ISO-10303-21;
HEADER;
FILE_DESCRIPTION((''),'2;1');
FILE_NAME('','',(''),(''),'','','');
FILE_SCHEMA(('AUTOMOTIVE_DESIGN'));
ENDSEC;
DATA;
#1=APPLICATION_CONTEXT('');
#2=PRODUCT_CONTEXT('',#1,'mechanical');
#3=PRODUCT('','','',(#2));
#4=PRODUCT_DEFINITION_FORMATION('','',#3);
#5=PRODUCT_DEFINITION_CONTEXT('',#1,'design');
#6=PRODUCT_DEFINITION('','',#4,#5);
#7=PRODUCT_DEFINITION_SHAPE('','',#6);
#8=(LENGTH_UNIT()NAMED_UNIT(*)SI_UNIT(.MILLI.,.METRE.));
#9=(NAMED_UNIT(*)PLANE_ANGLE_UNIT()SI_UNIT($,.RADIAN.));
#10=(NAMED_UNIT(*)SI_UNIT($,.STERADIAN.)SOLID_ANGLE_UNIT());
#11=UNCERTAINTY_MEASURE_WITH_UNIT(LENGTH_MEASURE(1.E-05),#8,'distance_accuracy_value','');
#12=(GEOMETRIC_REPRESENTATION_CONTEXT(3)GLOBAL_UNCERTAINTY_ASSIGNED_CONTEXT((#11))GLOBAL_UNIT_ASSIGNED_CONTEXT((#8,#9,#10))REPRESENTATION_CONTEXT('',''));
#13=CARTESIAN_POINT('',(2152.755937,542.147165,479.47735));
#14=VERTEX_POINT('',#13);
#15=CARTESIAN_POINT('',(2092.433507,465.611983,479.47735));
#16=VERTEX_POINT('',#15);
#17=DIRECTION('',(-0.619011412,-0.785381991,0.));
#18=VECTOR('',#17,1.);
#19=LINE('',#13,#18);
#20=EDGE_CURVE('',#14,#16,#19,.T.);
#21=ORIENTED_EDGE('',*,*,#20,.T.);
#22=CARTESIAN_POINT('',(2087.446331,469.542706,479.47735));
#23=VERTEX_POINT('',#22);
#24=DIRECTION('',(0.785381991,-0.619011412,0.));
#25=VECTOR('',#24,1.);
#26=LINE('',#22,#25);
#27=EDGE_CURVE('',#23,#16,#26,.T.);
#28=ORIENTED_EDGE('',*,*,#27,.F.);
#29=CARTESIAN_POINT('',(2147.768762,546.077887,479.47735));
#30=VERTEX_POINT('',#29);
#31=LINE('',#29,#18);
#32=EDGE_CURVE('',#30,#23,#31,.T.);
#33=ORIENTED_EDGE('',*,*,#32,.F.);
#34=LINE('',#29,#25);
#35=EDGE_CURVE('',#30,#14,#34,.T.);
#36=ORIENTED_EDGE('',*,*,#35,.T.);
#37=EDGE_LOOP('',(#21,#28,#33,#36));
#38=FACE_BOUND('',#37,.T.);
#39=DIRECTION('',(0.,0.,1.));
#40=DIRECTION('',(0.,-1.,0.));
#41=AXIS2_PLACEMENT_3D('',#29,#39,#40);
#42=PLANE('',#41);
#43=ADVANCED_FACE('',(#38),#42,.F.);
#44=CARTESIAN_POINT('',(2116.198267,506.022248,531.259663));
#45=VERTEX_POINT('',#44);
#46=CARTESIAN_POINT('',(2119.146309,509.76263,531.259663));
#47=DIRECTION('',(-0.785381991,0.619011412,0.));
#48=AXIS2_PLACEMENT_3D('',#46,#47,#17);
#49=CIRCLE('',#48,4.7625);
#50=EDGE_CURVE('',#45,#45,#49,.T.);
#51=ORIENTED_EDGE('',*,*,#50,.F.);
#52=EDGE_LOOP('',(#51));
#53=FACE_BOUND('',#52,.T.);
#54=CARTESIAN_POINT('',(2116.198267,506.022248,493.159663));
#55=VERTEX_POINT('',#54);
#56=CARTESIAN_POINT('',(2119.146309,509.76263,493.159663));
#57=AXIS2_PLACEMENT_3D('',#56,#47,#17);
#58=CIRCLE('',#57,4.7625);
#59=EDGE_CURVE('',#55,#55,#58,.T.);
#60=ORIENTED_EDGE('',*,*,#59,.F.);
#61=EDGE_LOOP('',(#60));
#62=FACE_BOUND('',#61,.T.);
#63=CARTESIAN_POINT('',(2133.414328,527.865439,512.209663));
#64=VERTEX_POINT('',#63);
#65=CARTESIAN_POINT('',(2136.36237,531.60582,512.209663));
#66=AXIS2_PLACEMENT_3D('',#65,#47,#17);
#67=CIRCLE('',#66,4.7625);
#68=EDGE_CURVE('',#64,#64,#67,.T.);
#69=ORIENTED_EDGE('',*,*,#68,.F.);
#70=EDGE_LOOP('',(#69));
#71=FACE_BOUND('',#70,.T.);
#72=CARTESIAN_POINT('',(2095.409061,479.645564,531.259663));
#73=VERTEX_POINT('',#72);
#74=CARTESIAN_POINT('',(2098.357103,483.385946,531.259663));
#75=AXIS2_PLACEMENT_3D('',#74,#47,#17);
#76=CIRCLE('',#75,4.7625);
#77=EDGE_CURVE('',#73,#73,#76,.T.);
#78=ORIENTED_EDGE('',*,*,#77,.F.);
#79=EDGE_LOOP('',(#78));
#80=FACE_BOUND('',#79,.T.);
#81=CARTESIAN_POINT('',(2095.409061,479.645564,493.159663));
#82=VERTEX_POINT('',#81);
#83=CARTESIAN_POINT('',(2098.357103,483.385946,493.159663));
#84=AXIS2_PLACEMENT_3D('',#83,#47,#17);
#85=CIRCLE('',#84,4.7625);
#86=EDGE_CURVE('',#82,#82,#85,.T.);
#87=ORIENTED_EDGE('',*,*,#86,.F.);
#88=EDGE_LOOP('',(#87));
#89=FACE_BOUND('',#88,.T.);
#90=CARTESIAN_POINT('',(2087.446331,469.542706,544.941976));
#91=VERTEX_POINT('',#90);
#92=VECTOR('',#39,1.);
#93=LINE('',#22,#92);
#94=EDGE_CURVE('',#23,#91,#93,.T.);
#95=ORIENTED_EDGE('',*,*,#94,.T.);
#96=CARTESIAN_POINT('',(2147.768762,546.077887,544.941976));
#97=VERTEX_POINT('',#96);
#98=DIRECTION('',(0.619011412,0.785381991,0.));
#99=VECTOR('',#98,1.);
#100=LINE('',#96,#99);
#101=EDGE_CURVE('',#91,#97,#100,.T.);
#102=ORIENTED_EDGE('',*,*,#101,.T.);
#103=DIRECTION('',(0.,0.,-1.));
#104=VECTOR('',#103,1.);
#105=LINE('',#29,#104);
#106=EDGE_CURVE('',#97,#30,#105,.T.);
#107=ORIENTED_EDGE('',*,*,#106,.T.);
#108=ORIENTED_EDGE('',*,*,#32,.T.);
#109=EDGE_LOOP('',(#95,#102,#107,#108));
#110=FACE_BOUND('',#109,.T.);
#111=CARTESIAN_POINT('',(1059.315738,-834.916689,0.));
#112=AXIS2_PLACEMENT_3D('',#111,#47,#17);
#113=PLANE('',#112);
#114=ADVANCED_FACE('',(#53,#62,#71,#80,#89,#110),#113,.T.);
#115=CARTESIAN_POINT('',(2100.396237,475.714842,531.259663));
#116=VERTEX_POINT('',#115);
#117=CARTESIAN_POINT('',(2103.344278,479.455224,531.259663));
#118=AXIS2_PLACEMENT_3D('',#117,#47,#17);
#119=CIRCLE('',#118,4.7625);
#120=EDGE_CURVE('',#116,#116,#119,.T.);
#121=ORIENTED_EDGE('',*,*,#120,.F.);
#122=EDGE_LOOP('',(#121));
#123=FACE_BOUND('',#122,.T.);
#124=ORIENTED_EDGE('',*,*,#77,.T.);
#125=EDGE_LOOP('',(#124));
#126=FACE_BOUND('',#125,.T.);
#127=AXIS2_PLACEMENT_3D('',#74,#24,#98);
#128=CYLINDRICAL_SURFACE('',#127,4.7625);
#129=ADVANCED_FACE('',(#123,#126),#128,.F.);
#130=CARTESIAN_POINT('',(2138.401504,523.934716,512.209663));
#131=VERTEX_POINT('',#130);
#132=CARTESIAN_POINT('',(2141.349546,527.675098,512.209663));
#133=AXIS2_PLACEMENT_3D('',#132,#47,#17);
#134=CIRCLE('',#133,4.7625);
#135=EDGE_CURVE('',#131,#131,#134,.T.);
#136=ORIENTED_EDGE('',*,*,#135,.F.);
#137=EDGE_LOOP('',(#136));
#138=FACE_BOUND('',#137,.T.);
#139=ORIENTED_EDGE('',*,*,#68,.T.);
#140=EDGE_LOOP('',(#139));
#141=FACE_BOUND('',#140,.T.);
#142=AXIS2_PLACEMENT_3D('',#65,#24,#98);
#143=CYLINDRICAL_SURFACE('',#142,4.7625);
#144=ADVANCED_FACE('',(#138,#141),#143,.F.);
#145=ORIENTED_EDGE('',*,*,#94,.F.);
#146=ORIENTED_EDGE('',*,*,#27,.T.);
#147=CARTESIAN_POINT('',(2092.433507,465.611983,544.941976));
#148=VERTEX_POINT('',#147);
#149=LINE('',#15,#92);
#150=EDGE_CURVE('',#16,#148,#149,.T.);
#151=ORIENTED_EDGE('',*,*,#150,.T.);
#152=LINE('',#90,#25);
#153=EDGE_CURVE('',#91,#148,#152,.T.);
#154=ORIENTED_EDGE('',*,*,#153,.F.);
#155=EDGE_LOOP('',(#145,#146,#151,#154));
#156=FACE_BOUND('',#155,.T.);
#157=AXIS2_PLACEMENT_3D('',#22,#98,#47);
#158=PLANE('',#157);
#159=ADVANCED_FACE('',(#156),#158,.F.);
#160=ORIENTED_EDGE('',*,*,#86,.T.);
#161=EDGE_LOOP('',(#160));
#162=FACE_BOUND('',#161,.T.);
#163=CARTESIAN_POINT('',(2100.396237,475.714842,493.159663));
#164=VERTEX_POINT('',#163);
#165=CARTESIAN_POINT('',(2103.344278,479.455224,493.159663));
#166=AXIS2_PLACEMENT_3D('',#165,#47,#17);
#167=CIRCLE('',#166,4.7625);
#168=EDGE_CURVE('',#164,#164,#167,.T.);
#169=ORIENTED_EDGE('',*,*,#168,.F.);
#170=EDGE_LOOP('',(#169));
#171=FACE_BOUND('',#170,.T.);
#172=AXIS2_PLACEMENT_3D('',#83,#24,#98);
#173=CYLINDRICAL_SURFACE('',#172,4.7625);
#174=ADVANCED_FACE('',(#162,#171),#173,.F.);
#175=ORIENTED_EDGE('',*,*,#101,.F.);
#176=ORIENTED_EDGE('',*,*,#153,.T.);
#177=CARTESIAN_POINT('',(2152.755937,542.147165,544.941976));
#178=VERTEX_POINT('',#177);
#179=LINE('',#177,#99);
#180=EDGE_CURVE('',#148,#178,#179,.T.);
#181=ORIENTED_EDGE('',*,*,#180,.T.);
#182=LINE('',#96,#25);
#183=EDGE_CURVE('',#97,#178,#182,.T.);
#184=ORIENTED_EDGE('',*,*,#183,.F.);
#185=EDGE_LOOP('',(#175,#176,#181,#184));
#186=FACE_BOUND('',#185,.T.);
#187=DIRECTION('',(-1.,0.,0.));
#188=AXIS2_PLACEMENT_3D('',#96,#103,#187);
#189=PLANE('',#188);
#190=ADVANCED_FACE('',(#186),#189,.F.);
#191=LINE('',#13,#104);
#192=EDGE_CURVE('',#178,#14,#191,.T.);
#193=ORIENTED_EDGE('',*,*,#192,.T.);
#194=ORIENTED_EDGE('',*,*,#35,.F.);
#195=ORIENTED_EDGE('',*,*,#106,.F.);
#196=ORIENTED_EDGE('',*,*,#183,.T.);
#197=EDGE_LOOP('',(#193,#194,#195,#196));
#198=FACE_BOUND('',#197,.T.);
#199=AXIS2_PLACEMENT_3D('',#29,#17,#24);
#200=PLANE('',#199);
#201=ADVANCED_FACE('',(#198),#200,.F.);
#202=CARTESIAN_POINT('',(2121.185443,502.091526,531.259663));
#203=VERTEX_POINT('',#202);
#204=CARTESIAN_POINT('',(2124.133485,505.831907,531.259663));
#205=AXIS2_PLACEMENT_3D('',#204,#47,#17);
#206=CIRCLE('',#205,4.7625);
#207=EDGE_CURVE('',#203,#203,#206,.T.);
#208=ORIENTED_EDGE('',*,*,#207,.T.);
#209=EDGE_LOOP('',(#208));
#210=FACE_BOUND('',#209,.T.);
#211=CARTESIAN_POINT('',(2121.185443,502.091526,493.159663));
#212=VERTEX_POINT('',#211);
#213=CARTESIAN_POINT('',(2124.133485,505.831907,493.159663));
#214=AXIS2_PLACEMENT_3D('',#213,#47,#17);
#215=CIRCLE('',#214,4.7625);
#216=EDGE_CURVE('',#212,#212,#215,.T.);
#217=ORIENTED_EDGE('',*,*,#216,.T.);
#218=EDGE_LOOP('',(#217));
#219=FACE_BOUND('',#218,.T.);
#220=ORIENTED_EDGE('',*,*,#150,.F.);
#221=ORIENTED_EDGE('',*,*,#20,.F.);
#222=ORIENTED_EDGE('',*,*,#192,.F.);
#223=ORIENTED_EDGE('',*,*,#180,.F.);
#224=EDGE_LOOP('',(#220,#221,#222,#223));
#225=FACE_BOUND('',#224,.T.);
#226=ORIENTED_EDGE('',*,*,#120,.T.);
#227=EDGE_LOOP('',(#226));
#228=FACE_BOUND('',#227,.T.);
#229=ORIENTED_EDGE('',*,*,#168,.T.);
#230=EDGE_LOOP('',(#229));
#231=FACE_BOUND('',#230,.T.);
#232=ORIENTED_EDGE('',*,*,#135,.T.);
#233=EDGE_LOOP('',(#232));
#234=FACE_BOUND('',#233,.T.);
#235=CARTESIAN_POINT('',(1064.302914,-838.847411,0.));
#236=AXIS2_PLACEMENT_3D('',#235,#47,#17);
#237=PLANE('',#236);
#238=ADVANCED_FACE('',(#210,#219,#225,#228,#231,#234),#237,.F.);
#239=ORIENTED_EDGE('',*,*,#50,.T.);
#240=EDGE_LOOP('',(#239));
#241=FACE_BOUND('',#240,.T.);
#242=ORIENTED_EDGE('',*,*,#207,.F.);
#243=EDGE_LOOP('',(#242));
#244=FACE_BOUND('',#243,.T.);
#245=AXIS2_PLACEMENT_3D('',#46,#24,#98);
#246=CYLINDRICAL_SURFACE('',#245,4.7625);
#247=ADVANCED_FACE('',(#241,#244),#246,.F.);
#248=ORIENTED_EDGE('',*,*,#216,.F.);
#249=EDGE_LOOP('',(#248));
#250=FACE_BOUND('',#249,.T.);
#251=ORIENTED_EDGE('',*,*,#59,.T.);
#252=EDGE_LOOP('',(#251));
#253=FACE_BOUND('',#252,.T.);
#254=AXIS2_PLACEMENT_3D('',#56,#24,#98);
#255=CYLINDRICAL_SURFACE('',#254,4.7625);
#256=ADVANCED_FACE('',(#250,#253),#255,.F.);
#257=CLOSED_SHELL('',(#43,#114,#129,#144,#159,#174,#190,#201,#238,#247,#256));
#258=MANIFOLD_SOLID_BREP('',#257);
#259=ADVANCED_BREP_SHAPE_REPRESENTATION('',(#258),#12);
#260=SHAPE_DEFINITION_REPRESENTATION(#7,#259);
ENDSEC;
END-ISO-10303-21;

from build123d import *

# Parameters (mm, degrees)
SKETCH2_W           = 65.46462614
SKETCH2_H           = 97.449626127
SKETCH2_R           = 4.7625
BOSS_EXTRUDE1_DEPTH = 6.35


with BuildPart() as part:
    # Sketch2 → Boss-Extrude1 (new body)
    with BuildSketch(Plane(origin=(2141.629370819, 528.030131074, 512.209663273), x_dir=(0, 0, 1), z_dir=(-0.7853819908593475, 0.6190114121999754, 0))):
        with Locations((0, -30.750077279)):
            Rectangle(SKETCH2_W, SKETCH2_H)
        with Locations(Location((0, -0.452051751, 0), (0, 0, 270))):
            Circle(SKETCH2_R, mode=Mode.SUBTRACT)
        with Locations(Location((-19.05, -28.264238369, 0), (0, 0, 270))):
            Circle(SKETCH2_R, mode=Mode.SUBTRACT)
        with Locations(Location((19.05, -28.264238369, 0), (0, 0, 270))):
            Circle(SKETCH2_R, mode=Mode.SUBTRACT)
        with Locations(Location((19.05, -61.848766595, 0), (0, 0, 270))):
            Circle(SKETCH2_R, mode=Mode.SUBTRACT)
        with Locations(Location((-19.05, -61.848766595, 0), (0, 0, 270))):
            Circle(SKETCH2_R, mode=Mode.SUBTRACT)
    extrude(amount=BOSS_EXTRUDE1_DEPTH)


solid = part.part
